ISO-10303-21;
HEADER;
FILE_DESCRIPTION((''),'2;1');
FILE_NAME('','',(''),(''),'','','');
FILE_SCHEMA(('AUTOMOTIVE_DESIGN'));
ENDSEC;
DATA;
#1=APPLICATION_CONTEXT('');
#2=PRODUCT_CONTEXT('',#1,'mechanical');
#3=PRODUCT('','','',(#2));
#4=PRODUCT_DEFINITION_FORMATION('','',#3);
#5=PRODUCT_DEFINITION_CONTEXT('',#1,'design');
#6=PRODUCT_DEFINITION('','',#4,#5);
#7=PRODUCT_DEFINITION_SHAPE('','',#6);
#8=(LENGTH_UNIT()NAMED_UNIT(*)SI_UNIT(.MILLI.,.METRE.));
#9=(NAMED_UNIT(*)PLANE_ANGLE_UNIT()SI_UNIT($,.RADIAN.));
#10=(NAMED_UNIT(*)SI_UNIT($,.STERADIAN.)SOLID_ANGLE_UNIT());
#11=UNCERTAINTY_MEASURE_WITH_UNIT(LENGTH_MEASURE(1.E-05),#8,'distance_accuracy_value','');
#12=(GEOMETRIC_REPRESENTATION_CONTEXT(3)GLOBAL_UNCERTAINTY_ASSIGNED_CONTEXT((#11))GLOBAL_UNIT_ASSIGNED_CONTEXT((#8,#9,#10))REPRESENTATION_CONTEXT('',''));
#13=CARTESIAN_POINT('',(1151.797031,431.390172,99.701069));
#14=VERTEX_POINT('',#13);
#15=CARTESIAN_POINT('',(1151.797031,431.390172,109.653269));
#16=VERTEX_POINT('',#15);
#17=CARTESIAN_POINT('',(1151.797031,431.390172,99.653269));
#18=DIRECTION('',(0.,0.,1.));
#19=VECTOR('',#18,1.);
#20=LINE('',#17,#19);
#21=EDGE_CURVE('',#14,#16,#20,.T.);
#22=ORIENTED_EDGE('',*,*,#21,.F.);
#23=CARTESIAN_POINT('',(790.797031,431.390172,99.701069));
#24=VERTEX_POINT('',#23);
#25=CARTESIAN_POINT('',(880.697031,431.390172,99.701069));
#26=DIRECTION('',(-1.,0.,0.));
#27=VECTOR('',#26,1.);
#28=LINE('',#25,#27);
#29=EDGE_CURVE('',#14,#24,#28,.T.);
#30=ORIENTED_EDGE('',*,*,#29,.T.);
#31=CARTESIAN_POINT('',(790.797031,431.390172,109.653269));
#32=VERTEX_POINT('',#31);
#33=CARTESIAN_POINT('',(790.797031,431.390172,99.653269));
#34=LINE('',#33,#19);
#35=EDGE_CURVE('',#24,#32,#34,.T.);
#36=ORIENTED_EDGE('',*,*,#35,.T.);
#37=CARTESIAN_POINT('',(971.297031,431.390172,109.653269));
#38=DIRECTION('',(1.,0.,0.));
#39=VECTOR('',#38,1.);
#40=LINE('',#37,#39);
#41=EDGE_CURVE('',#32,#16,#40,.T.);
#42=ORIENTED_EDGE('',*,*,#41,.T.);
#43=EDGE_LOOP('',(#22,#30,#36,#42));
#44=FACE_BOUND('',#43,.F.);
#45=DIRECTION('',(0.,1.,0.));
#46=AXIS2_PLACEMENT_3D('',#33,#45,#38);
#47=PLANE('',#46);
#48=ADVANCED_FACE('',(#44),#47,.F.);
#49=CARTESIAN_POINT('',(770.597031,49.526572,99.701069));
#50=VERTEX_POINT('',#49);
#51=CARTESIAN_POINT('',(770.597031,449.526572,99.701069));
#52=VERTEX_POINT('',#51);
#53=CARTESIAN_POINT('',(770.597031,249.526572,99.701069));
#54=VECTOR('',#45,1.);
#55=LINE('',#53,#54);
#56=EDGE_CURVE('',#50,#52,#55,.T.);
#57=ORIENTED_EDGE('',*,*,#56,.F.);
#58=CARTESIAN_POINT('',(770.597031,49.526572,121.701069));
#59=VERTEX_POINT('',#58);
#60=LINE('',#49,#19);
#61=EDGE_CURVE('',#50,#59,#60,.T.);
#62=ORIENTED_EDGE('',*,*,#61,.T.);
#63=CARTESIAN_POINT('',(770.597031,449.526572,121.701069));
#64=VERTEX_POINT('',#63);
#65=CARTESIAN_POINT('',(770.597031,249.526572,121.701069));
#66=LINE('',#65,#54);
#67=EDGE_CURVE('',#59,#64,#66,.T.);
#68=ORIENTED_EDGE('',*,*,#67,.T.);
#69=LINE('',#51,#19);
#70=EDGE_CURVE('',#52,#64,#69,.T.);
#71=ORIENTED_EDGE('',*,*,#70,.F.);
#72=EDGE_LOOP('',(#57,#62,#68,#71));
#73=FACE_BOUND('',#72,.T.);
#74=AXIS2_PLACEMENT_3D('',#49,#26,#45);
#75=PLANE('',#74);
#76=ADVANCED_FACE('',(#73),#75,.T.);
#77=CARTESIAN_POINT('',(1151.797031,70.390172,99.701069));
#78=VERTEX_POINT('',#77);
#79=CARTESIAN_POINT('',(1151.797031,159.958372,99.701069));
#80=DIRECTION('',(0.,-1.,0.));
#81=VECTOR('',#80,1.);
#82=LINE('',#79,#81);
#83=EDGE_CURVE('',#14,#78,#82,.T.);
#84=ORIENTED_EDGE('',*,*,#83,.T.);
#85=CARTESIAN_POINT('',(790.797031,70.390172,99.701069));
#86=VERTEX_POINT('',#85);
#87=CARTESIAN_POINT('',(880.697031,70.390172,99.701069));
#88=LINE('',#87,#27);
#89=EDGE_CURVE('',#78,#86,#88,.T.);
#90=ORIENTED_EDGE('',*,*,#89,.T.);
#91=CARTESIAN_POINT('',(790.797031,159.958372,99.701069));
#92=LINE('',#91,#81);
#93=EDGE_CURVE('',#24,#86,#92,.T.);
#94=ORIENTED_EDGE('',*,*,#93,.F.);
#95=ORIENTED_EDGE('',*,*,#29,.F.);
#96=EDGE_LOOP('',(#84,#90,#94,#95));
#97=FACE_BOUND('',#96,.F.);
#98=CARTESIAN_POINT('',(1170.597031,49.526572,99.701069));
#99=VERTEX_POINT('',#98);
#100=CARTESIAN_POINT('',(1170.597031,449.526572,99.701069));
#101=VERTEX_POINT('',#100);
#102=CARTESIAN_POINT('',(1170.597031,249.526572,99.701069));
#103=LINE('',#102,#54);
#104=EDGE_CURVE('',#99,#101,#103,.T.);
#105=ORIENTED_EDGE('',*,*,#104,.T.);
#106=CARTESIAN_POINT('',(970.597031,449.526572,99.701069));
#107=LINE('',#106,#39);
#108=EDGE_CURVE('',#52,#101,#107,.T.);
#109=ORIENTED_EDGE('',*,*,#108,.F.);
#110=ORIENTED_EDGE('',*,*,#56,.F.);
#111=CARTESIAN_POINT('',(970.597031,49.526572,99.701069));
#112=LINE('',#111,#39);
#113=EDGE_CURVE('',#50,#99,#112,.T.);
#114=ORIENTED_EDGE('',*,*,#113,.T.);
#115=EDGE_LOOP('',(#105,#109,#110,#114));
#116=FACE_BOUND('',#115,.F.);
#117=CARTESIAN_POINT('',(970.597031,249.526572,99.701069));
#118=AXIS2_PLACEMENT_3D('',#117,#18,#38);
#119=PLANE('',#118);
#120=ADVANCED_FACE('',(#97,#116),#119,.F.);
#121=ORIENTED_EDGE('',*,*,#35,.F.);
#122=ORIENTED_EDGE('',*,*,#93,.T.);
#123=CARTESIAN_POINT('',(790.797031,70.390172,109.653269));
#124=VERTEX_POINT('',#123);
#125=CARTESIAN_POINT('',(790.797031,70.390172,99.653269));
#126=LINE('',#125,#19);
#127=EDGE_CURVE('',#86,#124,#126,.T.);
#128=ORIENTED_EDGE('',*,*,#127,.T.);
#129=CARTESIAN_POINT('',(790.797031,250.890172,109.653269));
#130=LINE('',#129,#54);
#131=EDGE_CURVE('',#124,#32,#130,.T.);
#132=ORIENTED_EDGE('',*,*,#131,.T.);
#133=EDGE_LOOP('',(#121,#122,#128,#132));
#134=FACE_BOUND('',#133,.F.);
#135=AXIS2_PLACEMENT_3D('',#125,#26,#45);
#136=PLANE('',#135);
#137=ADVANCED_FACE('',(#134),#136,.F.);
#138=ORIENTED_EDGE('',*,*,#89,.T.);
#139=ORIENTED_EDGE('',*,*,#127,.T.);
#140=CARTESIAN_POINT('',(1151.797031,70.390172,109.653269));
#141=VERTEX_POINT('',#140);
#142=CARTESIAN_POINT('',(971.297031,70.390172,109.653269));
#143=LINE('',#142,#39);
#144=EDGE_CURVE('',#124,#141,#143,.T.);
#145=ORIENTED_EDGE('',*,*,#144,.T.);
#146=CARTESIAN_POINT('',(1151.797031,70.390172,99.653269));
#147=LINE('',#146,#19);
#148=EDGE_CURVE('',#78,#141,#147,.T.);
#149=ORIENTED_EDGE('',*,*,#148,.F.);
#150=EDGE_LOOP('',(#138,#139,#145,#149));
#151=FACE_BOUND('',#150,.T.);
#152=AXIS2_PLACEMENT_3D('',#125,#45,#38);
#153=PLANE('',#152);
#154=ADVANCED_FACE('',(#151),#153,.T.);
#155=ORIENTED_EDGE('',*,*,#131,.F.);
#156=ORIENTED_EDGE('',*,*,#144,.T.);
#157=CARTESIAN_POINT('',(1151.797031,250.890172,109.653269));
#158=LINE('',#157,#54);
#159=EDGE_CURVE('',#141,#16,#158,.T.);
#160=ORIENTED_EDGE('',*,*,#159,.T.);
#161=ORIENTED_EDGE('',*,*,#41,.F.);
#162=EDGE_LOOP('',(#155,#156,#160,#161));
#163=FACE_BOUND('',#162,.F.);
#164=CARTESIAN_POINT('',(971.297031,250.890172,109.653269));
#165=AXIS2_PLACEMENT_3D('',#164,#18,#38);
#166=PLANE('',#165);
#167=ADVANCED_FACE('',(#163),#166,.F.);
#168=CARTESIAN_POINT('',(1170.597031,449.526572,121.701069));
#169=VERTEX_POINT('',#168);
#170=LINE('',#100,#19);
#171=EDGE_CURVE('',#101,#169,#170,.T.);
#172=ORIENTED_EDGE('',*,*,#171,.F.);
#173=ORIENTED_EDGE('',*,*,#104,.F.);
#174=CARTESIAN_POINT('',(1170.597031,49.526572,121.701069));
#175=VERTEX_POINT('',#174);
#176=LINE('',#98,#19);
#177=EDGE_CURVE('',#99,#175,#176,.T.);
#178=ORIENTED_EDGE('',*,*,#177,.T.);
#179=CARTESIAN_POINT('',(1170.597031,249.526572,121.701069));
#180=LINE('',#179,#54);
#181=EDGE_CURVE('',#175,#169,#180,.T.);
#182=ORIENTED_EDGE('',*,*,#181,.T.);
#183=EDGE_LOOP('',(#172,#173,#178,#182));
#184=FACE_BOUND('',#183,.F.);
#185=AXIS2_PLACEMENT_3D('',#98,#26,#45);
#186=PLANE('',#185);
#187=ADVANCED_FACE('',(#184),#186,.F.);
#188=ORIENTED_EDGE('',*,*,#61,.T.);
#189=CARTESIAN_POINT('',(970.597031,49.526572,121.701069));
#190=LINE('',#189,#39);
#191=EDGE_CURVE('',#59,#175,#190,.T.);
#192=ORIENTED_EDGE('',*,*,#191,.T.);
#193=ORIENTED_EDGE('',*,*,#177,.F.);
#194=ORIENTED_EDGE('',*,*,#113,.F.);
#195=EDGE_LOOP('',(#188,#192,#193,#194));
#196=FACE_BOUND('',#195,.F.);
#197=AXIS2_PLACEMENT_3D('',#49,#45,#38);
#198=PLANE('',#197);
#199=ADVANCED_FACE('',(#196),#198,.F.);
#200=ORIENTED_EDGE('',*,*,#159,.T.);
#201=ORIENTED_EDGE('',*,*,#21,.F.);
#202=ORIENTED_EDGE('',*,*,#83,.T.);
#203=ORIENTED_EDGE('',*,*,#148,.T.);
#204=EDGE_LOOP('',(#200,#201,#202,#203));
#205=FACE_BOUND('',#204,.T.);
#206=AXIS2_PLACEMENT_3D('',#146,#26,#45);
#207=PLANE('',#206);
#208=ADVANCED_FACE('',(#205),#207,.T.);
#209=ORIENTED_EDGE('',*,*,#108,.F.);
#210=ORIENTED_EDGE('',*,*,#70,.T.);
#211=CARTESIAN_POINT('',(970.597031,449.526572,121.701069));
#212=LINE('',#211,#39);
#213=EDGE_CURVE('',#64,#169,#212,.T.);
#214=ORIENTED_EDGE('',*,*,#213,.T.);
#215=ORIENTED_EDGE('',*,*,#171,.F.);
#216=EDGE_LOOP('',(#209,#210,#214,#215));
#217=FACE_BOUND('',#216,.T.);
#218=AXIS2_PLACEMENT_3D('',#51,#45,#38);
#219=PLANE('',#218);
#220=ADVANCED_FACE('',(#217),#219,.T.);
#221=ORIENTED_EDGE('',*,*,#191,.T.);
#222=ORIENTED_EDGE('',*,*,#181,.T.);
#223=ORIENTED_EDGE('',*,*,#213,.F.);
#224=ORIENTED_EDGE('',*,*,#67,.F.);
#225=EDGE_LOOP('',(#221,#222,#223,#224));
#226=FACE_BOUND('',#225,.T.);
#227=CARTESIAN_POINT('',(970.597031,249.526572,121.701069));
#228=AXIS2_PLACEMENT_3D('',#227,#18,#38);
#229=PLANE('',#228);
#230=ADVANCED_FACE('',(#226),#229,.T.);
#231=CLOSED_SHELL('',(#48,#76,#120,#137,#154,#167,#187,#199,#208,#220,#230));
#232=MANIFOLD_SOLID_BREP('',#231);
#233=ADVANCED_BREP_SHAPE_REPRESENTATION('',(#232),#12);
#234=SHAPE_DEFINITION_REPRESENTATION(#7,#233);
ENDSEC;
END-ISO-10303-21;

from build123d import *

# Parameters (mm, degrees)
BOX005002_W     = 361
BOX005002_H     = 361
BOX005002_DEPTH = 10
BOX004_W        = 400
BOX004_H        = 400
BOX004_DEPTH    = 22


with BuildPart() as cube:
    # Box005002 → Box005002 (new body)
    with BuildSketch(Plane(origin=(795.534, 71.3936, 98.4922), x_dir=(1, 0, 0), z_dir=(0, 0, 1))):
        with Locations((180.5, 180.5)):
            Rectangle(BOX005002_W, BOX005002_H)
    extrude(amount=BOX005002_DEPTH)


with BuildPart() as spoilboard_bed:
    # Box004 → Box004 (new body)
    with BuildSketch(Plane(origin=(775.334, 50.53, 98.54), x_dir=(1, 0, 0), z_dir=(0, 0, 1))):
        with Locations((200, 200)):
            Rectangle(BOX004_W, BOX004_H)
    extrude(amount=BOX004_DEPTH)

    # Cut011005: cut Cube
    add(cube.part, mode=Mode.SUBTRACT)


with BuildPart() as spoilboard_bed_1:
    # Cut011005 placement: moved
    add(spoilboard_bed.part.moved(Location((-4.736969, -1.003428, 1.161069))))


solid = spoilboard_bed_1.part
